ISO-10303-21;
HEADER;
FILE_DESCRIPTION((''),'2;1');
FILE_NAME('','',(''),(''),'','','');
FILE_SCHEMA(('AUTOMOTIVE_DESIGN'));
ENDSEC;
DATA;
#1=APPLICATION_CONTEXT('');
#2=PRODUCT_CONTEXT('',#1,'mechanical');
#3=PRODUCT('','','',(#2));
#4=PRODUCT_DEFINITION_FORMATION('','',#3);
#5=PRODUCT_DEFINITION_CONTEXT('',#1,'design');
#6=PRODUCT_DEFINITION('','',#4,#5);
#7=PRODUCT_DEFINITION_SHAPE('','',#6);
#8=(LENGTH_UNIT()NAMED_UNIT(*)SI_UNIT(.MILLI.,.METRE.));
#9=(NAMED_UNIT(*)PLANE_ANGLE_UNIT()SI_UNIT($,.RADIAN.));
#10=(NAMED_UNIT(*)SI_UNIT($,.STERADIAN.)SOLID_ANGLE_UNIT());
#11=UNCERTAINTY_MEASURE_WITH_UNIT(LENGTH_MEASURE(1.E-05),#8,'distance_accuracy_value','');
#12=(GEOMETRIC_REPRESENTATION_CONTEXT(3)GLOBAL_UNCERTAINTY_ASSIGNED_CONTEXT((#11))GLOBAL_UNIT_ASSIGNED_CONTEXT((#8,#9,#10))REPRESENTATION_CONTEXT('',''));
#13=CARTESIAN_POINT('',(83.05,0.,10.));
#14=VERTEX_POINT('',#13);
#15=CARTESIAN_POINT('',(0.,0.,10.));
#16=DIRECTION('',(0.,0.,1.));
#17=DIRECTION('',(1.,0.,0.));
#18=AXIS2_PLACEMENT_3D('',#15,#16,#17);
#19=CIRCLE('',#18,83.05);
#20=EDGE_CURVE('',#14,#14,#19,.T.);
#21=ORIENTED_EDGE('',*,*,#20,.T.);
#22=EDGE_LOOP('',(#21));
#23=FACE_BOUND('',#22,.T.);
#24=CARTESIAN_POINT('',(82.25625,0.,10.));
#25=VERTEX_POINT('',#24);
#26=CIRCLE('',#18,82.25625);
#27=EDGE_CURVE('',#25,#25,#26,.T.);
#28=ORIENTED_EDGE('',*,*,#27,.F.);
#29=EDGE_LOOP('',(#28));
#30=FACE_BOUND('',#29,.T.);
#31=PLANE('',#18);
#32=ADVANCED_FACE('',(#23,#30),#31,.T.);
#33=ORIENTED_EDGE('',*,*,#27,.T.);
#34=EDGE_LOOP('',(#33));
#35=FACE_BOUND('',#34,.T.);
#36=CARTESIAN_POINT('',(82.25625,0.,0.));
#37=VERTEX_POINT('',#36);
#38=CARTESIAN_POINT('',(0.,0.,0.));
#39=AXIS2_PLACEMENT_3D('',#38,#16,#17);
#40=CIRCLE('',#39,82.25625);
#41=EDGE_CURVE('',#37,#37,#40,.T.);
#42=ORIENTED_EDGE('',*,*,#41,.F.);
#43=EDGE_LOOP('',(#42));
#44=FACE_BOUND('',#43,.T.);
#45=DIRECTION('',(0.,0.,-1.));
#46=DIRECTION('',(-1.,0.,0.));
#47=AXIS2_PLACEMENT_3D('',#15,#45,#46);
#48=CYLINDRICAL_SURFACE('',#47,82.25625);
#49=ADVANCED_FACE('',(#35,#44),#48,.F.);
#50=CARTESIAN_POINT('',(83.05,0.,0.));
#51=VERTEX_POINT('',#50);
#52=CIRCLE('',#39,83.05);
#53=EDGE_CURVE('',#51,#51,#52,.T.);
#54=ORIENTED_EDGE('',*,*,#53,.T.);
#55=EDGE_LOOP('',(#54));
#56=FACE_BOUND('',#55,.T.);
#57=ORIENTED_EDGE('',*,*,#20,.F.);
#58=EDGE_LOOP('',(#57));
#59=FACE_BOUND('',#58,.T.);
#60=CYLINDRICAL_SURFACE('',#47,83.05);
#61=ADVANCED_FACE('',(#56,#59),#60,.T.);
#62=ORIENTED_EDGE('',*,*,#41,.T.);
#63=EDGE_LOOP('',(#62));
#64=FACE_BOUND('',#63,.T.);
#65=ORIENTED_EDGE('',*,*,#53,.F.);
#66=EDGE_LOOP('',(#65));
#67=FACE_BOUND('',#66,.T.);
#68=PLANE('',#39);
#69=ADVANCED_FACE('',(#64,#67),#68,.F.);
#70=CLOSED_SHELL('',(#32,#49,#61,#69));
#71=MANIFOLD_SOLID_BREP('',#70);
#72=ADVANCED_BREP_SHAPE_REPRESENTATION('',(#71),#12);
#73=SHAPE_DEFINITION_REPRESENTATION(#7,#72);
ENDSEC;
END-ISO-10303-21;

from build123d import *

# Parameters (mm, degrees)
SKETCH1_R           = 83.05
SKETCH1_R_2         = 82.25625
BOSS_EXTRUDE1_DEPTH = 10


with BuildPart() as part:
    # Sketch1 → Boss-Extrude1 (new body)
    with BuildSketch(Plane.XY):
        Circle(SKETCH1_R)
        Circle(SKETCH1_R_2, mode=Mode.SUBTRACT)
    extrude(amount=BOSS_EXTRUDE1_DEPTH)


solid = part.part
